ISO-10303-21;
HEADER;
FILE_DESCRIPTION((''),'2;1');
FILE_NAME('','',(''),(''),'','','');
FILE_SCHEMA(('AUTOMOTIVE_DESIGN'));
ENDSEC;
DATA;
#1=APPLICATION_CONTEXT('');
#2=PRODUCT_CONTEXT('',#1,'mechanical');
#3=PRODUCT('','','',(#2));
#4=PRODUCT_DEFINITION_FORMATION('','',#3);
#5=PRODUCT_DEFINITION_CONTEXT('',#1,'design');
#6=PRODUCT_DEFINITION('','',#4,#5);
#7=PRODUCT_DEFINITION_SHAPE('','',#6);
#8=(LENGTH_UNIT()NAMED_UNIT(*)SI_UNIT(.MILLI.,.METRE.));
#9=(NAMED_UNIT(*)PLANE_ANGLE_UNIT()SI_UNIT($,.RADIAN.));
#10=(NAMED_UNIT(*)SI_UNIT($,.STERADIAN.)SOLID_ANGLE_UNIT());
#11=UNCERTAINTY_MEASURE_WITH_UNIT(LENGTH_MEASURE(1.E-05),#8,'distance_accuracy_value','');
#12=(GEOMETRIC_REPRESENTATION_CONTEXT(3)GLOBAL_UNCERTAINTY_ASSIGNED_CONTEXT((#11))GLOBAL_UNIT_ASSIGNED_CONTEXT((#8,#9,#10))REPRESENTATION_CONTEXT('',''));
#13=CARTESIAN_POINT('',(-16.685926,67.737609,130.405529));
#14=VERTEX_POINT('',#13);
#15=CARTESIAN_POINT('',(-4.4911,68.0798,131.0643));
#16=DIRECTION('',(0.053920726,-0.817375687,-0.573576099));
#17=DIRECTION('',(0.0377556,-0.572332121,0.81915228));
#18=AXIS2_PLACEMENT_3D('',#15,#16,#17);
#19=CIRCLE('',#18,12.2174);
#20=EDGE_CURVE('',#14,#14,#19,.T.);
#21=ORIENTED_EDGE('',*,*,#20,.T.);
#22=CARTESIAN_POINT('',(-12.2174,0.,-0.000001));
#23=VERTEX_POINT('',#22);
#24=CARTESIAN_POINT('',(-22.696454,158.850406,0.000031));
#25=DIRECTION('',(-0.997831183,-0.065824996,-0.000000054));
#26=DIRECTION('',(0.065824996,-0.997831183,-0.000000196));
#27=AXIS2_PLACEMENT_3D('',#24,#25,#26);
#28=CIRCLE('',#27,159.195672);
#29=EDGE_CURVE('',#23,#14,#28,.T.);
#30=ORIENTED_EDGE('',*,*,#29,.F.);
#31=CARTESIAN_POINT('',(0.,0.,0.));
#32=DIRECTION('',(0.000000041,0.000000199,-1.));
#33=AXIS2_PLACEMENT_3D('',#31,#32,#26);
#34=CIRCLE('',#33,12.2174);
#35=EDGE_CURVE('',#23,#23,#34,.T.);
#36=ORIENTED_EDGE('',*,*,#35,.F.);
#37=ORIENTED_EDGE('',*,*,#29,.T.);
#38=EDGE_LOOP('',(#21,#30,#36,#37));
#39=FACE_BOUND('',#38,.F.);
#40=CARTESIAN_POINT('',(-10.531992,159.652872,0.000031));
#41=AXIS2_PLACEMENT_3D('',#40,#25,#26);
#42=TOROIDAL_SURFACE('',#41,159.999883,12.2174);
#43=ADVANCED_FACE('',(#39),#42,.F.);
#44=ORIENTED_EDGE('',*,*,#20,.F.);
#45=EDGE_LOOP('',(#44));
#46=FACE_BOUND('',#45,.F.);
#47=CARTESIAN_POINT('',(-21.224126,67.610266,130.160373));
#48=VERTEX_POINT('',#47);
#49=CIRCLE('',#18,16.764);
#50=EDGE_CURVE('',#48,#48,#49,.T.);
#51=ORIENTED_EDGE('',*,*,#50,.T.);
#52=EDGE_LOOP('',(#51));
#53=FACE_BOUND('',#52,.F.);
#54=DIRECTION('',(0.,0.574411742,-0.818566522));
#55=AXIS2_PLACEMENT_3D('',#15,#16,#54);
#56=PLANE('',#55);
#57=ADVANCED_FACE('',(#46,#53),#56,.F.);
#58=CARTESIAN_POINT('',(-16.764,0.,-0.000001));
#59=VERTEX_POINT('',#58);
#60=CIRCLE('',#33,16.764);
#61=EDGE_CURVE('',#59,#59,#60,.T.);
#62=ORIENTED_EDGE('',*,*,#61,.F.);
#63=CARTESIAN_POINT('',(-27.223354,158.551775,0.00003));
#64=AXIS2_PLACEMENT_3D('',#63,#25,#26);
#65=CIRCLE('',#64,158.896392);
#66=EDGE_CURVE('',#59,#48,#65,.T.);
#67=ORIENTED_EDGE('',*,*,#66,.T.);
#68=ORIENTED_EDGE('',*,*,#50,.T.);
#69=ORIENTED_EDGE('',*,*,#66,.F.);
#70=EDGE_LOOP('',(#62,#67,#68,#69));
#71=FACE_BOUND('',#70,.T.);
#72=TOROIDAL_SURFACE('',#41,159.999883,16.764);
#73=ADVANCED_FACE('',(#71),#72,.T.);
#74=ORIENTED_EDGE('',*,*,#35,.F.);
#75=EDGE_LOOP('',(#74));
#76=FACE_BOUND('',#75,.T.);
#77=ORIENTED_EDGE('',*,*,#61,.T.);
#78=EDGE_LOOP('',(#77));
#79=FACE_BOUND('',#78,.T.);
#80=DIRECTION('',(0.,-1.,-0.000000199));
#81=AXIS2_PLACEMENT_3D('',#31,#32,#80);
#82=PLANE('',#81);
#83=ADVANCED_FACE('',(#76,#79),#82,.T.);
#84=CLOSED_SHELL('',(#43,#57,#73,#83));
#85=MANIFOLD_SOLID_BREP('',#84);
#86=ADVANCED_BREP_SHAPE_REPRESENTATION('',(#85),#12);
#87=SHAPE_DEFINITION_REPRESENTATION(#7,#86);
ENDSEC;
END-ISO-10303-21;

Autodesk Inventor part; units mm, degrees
ref_plane "Start Plane" through (0, 0, 0) normal (0, 0, 1) x (1, 0, 0)
ref_plane "End Plane" through (0, 0, 153.589) normal (0, 0, 1) x (1, 0, 0)
sketch "Sketch" plane through (0, 0, 0) normal (0, 0, -1) x (-1, 0, 0)
  circle A0 centre (0, 0) radius 12.2174
  circle A1 centre (0, 0) radius 16.764
  dimension "d0" = 33.528
  dimension "d1" = 4.5466
sketch "Sketch3" plane through (0, 0, 0) normal (0, 0, 1) x (1, 0, 0)
  line L0 (0, 0) -> (10, 0)
ref_plane "Work Plane3" through (0, 0, 0) normal (0, -1, 0) x (1, 0, 0)
ref_plane "Orientation Work Plane" through (0, 0, 0) normal (0, 0, -1) x (-1, 0, 0)
sketch3d "Sweep Path"
  arc A0 (0, 0, 0) -> (-4.4911, 68.0798, 131.0643) centre (-10.532, 159.653, 0) ccw
sweep "Body" add profiles "Sketch" path "Sweep Path"
sketch "Sketch4" plane through (0, 0, 0) normal (0, -1, 0) x (1, 0, 0)
  line L0 (-2, 0) -> (12, 0) projected
  line L1 (-28.8296, 153.589) -> (24.3629, 153.589) projected
  dimension "d7" = 153.589
equation "\"d0\" = G_H"
equation "\"d1\" = G_T"
equation "\"G_H\" = 33.528"
equation "\"G_T\" = 4.5466"
equation "\"G_L\" = d7"
equation "\"G_OFFSET_START\" = 0"
equation "\"G_OFFSET_END\" = 0"
equation "\"d5\" = G_OFFSET_END + B_L"
equation "\"B_L\" = 153.58897"
properties part number "ANSI - 1 x 0.179 - 6.047" material "Steel, Mild"
